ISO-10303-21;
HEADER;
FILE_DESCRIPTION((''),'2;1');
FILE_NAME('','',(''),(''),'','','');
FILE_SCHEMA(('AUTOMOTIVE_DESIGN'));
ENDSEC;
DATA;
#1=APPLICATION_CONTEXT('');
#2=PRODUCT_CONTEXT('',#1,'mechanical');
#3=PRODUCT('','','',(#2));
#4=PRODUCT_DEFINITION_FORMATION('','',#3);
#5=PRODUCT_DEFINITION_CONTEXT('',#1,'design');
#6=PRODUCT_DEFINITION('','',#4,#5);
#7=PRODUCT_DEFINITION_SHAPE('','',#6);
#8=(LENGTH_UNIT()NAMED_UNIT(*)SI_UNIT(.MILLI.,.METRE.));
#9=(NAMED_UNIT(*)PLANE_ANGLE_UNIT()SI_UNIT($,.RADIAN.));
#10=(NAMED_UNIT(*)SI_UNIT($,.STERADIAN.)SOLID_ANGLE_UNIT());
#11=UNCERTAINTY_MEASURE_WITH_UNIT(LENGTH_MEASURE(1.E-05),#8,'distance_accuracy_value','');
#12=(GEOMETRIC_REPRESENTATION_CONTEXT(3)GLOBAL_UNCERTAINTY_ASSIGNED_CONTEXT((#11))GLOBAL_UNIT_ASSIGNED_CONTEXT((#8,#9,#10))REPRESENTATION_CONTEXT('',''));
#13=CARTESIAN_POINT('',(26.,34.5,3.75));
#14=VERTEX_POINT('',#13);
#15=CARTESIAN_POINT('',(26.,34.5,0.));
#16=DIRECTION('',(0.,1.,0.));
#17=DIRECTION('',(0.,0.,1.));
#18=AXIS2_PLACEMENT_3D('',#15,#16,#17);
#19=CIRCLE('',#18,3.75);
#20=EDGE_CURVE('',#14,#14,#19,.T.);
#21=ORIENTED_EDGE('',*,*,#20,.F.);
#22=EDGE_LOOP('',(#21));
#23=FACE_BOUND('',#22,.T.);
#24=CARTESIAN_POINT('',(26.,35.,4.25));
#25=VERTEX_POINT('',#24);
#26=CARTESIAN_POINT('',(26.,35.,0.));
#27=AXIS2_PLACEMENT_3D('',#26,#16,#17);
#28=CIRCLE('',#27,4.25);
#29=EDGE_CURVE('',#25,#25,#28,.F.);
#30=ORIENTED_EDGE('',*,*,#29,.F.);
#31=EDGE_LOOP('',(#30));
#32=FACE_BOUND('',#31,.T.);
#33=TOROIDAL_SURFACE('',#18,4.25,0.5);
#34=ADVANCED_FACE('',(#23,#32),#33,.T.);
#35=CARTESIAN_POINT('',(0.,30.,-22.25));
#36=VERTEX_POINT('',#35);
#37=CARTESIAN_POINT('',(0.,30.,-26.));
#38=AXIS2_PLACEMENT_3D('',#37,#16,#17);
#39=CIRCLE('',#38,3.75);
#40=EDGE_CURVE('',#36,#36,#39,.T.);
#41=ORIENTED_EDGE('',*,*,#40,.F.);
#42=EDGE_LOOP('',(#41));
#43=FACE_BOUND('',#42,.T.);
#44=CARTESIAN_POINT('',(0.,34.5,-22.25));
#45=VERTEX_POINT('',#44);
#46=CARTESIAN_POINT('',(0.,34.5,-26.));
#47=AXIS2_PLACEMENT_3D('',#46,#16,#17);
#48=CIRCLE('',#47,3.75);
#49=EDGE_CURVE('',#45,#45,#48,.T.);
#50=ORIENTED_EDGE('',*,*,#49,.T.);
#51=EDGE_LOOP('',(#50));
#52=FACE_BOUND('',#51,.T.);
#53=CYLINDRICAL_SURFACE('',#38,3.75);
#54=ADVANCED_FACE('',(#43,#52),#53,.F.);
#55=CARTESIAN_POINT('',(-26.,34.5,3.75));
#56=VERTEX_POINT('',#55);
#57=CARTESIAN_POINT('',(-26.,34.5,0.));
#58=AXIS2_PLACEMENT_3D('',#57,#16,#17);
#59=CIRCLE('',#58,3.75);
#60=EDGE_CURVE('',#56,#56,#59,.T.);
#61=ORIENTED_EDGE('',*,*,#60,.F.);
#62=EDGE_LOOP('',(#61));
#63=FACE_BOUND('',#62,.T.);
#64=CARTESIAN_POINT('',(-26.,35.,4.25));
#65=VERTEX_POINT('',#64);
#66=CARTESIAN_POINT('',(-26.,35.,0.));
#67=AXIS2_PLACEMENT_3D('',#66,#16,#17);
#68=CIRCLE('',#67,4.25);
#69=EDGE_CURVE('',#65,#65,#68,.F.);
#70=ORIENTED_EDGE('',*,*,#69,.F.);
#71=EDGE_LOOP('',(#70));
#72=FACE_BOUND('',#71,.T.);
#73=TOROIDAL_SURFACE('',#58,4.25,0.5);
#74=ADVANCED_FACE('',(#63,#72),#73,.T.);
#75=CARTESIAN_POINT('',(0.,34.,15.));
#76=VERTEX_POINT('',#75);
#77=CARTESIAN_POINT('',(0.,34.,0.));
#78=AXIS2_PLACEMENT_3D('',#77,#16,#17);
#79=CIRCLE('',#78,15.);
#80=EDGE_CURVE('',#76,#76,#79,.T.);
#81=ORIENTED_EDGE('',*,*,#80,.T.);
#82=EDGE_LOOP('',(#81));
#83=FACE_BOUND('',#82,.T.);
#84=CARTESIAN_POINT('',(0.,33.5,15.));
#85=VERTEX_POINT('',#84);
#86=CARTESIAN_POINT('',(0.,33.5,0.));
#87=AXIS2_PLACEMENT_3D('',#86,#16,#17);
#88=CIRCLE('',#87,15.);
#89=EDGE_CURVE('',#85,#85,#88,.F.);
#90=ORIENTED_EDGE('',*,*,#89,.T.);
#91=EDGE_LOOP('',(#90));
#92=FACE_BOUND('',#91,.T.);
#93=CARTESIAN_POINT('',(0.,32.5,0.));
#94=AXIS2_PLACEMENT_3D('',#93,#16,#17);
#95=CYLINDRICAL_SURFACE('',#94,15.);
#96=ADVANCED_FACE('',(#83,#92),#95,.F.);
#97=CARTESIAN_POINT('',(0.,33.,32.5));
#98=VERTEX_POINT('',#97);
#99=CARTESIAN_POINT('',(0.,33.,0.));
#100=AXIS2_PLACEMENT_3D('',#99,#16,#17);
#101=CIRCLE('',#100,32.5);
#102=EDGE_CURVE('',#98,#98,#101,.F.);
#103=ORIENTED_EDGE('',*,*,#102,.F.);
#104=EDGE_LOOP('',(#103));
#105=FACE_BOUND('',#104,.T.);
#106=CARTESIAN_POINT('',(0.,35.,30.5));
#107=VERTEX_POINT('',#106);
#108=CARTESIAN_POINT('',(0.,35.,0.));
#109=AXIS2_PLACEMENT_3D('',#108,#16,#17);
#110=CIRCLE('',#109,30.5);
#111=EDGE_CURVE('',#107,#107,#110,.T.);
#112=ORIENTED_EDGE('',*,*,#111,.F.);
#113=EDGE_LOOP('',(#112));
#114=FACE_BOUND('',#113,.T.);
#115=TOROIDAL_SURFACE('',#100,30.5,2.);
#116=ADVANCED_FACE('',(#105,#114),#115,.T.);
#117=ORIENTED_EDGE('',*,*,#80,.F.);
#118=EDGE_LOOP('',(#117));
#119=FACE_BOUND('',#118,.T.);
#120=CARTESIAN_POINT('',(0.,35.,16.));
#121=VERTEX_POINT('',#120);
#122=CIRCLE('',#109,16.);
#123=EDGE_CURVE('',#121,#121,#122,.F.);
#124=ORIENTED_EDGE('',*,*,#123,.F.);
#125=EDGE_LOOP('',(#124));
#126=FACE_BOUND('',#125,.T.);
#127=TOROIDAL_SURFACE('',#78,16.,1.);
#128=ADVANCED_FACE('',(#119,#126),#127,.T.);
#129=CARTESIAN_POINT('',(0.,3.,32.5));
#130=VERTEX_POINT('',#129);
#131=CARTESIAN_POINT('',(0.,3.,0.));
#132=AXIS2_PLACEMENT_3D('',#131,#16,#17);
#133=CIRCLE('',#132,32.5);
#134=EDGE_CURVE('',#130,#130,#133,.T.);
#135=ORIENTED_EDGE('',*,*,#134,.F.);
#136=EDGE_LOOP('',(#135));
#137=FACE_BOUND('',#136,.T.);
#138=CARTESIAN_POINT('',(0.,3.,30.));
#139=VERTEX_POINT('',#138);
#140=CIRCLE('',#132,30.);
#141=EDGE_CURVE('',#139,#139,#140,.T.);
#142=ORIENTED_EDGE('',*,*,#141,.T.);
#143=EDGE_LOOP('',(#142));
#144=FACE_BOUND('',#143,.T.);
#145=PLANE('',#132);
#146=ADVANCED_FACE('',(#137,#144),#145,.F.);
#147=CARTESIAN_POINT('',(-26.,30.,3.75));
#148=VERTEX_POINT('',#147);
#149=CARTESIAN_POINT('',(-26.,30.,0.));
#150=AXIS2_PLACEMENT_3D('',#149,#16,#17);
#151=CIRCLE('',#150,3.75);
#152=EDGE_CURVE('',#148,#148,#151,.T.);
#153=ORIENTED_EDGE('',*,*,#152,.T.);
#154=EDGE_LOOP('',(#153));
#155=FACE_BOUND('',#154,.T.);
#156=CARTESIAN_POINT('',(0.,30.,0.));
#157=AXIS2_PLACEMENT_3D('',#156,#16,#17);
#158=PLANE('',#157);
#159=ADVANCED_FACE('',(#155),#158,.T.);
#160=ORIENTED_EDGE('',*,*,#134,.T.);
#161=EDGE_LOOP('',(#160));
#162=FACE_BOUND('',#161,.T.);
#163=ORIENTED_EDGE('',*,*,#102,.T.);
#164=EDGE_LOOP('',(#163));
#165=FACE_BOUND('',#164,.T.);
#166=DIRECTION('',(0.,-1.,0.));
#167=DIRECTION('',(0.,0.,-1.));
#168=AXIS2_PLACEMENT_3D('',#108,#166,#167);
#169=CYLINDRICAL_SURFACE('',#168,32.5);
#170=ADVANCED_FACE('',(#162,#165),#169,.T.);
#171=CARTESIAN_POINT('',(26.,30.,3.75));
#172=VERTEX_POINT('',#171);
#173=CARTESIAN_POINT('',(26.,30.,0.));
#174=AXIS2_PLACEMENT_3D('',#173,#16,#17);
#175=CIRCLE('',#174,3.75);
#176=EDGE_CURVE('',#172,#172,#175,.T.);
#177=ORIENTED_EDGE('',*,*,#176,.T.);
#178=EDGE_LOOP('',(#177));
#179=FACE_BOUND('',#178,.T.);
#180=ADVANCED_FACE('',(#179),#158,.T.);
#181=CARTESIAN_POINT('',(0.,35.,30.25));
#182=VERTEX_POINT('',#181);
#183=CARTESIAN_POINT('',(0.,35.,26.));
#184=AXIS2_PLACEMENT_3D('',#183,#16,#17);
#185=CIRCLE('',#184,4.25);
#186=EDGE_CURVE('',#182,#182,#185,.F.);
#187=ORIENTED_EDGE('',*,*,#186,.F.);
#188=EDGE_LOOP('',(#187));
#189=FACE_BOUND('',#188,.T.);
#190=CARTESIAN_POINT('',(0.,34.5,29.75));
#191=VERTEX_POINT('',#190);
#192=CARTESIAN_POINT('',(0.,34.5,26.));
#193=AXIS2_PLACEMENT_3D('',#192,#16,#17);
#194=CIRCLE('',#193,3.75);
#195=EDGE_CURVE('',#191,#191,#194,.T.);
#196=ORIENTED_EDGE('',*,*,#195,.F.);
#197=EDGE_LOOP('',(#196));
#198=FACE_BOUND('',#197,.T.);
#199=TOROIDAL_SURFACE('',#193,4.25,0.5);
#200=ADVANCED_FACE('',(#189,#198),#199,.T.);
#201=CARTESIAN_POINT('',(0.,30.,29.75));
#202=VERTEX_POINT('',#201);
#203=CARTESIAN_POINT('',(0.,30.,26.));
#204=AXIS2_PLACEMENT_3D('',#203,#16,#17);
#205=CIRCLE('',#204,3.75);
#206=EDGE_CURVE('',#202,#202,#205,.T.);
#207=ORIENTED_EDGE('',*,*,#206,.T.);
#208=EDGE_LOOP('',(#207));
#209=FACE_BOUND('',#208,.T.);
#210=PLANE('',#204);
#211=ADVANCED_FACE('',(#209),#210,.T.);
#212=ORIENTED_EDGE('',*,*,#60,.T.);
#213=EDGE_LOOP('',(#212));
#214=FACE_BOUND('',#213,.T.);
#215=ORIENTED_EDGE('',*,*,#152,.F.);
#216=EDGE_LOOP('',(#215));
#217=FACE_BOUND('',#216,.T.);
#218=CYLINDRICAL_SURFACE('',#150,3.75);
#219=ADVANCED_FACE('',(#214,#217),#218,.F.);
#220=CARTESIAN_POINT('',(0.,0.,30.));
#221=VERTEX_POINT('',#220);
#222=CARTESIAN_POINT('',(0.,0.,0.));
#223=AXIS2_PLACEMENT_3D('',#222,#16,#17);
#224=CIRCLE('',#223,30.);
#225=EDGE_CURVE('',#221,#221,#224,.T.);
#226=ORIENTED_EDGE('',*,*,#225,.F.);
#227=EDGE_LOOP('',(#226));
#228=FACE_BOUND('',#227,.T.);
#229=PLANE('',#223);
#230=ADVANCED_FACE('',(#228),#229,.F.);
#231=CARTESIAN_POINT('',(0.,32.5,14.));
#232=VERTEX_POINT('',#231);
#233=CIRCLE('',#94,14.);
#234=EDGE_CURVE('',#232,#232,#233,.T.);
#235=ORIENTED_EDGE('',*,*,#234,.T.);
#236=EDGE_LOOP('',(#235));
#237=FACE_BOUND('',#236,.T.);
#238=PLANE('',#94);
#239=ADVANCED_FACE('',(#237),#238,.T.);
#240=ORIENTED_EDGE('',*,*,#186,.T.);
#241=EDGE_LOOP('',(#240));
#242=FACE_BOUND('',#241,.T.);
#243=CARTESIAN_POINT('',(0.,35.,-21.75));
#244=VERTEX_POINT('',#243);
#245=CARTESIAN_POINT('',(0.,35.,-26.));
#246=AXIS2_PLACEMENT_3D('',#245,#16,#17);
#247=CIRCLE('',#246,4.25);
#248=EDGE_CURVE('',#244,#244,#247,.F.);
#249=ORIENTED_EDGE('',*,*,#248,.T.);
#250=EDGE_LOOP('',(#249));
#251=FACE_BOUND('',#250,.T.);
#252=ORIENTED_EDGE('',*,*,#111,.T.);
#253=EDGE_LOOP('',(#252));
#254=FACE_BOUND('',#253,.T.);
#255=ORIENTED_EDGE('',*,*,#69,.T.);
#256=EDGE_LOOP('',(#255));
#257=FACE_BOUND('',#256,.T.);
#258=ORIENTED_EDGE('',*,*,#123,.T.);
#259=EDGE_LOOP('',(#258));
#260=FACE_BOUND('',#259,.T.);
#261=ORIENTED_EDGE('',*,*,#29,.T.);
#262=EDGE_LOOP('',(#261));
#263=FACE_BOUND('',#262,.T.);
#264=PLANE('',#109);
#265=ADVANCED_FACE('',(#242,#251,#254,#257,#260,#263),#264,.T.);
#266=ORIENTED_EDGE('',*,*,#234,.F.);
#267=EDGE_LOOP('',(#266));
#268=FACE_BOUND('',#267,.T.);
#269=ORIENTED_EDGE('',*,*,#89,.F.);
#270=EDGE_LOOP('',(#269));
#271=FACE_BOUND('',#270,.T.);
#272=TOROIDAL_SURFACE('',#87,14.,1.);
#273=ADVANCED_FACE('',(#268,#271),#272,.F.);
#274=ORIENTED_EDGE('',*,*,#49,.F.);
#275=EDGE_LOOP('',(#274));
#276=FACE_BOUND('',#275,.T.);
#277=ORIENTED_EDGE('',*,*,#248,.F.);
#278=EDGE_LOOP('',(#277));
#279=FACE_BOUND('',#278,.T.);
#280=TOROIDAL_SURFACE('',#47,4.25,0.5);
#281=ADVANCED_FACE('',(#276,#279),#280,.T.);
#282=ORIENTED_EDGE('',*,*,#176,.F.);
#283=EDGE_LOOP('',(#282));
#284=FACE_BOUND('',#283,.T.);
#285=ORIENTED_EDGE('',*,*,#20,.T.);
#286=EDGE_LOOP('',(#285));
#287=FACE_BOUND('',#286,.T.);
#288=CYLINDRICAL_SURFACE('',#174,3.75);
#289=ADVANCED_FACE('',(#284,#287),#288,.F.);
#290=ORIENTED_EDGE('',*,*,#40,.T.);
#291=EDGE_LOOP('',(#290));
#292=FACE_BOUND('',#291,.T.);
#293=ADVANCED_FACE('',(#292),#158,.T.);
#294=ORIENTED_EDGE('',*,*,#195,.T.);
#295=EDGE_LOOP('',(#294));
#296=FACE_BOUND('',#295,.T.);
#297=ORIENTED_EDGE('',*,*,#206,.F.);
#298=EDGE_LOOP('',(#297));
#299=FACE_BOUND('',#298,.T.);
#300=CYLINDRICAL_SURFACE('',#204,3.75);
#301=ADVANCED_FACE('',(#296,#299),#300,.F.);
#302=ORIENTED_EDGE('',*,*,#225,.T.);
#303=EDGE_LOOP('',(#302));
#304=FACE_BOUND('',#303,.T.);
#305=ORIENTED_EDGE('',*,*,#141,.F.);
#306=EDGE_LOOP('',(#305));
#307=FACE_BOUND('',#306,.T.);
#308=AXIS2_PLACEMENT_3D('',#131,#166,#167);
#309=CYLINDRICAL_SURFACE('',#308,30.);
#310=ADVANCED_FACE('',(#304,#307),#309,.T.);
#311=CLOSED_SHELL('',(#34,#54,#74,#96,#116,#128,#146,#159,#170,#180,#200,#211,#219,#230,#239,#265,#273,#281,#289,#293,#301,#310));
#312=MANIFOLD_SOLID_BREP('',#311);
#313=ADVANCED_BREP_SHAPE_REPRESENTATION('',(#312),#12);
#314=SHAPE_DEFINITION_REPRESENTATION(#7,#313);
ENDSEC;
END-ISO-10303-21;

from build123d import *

# Parameters (mm, degrees)
SKETCH2_R           = 30
BOSS_EXTRUDE1_DEPTH = 3
SKETCH3_R           = 32.5
BOSS_EXTRUDE2_DEPTH = 32
SKETCH4_R           = 15
CUT_EXTRUDE1_DEPTH  = 2.5
SKETCH4_3_R         = 3.75
CUT_EXTRUDE2_DEPTH  = 5
FILLET1_R           = 1
FILLET2_R           = 1
FILLET3_R           = 2
FILLET4_R           = 0.5


with BuildPart() as part:
    # Sketch2 → Boss-Extrude1 (new body)
    with BuildSketch(Plane(origin=(0, 0, 0), x_dir=(1, 0, 0), z_dir=(0, 1, 0))):
        Circle(SKETCH2_R)
    extrude(amount=BOSS_EXTRUDE1_DEPTH)

    # Sketch3 → Boss-Extrude2 (add)
    with BuildSketch(Plane(origin=(0, 3, 0), x_dir=(1, 0, 0), z_dir=(0, 1, 0))):
        Circle(SKETCH3_R)
    extrude(amount=BOSS_EXTRUDE2_DEPTH)

    # Sketch4 → Cut-Extrude1 (cut)
    with BuildSketch(Plane(origin=(0, 35, 0), x_dir=(1, 0, 0), z_dir=(0, 1, 0))):
        Circle(SKETCH4_R)
    extrude(amount=-CUT_EXTRUDE1_DEPTH, mode=Mode.SUBTRACT)

    # Sketch4_3 → Cut-Extrude2 (cut)
    with BuildSketch(Plane(origin=(0, 35, 0), x_dir=(1, 0, 0), z_dir=(0, 1, 0))):
        with Locations((0, 26)):
            Circle(SKETCH4_3_R)
        with Locations((26, 0)):
            Circle(SKETCH4_3_R)
        with Locations((0, -26)):
            Circle(SKETCH4_3_R)
        with Locations((-26, 0)):
            Circle(SKETCH4_3_R)
    extrude(amount=-CUT_EXTRUDE2_DEPTH, mode=Mode.SUBTRACT)

    # Fillet1
    fillet1_edges = [part.edges().sort_by_distance(p)[0] for p in [
        (-15, 32.5, 0),
    ]]
    fillet(fillet1_edges, radius=FILLET1_R)

    # Fillet2
    fillet2_edges = [part.edges().sort_by_distance(p)[0] for p in [
        (-15, 35, 0),
    ]]
    fillet(fillet2_edges, radius=FILLET2_R)

    # Fillet3
    fillet3_edges = [part.edges().sort_by_distance(p)[0] for p in [
        (-32.5, 35, 0),
    ]]
    fillet(fillet3_edges, radius=FILLET3_R)

    # Fillet4
    fillet4_edges = [part.edges().sort_by_distance(p)[0] for p in [
        (-29.75, 35, 0),
        (-3.75, 35, -26),
        (22.25, 35, 0),
        (-3.75, 35, 26),
    ]]
    fillet(fillet4_edges, radius=FILLET4_R)


solid = part.part
